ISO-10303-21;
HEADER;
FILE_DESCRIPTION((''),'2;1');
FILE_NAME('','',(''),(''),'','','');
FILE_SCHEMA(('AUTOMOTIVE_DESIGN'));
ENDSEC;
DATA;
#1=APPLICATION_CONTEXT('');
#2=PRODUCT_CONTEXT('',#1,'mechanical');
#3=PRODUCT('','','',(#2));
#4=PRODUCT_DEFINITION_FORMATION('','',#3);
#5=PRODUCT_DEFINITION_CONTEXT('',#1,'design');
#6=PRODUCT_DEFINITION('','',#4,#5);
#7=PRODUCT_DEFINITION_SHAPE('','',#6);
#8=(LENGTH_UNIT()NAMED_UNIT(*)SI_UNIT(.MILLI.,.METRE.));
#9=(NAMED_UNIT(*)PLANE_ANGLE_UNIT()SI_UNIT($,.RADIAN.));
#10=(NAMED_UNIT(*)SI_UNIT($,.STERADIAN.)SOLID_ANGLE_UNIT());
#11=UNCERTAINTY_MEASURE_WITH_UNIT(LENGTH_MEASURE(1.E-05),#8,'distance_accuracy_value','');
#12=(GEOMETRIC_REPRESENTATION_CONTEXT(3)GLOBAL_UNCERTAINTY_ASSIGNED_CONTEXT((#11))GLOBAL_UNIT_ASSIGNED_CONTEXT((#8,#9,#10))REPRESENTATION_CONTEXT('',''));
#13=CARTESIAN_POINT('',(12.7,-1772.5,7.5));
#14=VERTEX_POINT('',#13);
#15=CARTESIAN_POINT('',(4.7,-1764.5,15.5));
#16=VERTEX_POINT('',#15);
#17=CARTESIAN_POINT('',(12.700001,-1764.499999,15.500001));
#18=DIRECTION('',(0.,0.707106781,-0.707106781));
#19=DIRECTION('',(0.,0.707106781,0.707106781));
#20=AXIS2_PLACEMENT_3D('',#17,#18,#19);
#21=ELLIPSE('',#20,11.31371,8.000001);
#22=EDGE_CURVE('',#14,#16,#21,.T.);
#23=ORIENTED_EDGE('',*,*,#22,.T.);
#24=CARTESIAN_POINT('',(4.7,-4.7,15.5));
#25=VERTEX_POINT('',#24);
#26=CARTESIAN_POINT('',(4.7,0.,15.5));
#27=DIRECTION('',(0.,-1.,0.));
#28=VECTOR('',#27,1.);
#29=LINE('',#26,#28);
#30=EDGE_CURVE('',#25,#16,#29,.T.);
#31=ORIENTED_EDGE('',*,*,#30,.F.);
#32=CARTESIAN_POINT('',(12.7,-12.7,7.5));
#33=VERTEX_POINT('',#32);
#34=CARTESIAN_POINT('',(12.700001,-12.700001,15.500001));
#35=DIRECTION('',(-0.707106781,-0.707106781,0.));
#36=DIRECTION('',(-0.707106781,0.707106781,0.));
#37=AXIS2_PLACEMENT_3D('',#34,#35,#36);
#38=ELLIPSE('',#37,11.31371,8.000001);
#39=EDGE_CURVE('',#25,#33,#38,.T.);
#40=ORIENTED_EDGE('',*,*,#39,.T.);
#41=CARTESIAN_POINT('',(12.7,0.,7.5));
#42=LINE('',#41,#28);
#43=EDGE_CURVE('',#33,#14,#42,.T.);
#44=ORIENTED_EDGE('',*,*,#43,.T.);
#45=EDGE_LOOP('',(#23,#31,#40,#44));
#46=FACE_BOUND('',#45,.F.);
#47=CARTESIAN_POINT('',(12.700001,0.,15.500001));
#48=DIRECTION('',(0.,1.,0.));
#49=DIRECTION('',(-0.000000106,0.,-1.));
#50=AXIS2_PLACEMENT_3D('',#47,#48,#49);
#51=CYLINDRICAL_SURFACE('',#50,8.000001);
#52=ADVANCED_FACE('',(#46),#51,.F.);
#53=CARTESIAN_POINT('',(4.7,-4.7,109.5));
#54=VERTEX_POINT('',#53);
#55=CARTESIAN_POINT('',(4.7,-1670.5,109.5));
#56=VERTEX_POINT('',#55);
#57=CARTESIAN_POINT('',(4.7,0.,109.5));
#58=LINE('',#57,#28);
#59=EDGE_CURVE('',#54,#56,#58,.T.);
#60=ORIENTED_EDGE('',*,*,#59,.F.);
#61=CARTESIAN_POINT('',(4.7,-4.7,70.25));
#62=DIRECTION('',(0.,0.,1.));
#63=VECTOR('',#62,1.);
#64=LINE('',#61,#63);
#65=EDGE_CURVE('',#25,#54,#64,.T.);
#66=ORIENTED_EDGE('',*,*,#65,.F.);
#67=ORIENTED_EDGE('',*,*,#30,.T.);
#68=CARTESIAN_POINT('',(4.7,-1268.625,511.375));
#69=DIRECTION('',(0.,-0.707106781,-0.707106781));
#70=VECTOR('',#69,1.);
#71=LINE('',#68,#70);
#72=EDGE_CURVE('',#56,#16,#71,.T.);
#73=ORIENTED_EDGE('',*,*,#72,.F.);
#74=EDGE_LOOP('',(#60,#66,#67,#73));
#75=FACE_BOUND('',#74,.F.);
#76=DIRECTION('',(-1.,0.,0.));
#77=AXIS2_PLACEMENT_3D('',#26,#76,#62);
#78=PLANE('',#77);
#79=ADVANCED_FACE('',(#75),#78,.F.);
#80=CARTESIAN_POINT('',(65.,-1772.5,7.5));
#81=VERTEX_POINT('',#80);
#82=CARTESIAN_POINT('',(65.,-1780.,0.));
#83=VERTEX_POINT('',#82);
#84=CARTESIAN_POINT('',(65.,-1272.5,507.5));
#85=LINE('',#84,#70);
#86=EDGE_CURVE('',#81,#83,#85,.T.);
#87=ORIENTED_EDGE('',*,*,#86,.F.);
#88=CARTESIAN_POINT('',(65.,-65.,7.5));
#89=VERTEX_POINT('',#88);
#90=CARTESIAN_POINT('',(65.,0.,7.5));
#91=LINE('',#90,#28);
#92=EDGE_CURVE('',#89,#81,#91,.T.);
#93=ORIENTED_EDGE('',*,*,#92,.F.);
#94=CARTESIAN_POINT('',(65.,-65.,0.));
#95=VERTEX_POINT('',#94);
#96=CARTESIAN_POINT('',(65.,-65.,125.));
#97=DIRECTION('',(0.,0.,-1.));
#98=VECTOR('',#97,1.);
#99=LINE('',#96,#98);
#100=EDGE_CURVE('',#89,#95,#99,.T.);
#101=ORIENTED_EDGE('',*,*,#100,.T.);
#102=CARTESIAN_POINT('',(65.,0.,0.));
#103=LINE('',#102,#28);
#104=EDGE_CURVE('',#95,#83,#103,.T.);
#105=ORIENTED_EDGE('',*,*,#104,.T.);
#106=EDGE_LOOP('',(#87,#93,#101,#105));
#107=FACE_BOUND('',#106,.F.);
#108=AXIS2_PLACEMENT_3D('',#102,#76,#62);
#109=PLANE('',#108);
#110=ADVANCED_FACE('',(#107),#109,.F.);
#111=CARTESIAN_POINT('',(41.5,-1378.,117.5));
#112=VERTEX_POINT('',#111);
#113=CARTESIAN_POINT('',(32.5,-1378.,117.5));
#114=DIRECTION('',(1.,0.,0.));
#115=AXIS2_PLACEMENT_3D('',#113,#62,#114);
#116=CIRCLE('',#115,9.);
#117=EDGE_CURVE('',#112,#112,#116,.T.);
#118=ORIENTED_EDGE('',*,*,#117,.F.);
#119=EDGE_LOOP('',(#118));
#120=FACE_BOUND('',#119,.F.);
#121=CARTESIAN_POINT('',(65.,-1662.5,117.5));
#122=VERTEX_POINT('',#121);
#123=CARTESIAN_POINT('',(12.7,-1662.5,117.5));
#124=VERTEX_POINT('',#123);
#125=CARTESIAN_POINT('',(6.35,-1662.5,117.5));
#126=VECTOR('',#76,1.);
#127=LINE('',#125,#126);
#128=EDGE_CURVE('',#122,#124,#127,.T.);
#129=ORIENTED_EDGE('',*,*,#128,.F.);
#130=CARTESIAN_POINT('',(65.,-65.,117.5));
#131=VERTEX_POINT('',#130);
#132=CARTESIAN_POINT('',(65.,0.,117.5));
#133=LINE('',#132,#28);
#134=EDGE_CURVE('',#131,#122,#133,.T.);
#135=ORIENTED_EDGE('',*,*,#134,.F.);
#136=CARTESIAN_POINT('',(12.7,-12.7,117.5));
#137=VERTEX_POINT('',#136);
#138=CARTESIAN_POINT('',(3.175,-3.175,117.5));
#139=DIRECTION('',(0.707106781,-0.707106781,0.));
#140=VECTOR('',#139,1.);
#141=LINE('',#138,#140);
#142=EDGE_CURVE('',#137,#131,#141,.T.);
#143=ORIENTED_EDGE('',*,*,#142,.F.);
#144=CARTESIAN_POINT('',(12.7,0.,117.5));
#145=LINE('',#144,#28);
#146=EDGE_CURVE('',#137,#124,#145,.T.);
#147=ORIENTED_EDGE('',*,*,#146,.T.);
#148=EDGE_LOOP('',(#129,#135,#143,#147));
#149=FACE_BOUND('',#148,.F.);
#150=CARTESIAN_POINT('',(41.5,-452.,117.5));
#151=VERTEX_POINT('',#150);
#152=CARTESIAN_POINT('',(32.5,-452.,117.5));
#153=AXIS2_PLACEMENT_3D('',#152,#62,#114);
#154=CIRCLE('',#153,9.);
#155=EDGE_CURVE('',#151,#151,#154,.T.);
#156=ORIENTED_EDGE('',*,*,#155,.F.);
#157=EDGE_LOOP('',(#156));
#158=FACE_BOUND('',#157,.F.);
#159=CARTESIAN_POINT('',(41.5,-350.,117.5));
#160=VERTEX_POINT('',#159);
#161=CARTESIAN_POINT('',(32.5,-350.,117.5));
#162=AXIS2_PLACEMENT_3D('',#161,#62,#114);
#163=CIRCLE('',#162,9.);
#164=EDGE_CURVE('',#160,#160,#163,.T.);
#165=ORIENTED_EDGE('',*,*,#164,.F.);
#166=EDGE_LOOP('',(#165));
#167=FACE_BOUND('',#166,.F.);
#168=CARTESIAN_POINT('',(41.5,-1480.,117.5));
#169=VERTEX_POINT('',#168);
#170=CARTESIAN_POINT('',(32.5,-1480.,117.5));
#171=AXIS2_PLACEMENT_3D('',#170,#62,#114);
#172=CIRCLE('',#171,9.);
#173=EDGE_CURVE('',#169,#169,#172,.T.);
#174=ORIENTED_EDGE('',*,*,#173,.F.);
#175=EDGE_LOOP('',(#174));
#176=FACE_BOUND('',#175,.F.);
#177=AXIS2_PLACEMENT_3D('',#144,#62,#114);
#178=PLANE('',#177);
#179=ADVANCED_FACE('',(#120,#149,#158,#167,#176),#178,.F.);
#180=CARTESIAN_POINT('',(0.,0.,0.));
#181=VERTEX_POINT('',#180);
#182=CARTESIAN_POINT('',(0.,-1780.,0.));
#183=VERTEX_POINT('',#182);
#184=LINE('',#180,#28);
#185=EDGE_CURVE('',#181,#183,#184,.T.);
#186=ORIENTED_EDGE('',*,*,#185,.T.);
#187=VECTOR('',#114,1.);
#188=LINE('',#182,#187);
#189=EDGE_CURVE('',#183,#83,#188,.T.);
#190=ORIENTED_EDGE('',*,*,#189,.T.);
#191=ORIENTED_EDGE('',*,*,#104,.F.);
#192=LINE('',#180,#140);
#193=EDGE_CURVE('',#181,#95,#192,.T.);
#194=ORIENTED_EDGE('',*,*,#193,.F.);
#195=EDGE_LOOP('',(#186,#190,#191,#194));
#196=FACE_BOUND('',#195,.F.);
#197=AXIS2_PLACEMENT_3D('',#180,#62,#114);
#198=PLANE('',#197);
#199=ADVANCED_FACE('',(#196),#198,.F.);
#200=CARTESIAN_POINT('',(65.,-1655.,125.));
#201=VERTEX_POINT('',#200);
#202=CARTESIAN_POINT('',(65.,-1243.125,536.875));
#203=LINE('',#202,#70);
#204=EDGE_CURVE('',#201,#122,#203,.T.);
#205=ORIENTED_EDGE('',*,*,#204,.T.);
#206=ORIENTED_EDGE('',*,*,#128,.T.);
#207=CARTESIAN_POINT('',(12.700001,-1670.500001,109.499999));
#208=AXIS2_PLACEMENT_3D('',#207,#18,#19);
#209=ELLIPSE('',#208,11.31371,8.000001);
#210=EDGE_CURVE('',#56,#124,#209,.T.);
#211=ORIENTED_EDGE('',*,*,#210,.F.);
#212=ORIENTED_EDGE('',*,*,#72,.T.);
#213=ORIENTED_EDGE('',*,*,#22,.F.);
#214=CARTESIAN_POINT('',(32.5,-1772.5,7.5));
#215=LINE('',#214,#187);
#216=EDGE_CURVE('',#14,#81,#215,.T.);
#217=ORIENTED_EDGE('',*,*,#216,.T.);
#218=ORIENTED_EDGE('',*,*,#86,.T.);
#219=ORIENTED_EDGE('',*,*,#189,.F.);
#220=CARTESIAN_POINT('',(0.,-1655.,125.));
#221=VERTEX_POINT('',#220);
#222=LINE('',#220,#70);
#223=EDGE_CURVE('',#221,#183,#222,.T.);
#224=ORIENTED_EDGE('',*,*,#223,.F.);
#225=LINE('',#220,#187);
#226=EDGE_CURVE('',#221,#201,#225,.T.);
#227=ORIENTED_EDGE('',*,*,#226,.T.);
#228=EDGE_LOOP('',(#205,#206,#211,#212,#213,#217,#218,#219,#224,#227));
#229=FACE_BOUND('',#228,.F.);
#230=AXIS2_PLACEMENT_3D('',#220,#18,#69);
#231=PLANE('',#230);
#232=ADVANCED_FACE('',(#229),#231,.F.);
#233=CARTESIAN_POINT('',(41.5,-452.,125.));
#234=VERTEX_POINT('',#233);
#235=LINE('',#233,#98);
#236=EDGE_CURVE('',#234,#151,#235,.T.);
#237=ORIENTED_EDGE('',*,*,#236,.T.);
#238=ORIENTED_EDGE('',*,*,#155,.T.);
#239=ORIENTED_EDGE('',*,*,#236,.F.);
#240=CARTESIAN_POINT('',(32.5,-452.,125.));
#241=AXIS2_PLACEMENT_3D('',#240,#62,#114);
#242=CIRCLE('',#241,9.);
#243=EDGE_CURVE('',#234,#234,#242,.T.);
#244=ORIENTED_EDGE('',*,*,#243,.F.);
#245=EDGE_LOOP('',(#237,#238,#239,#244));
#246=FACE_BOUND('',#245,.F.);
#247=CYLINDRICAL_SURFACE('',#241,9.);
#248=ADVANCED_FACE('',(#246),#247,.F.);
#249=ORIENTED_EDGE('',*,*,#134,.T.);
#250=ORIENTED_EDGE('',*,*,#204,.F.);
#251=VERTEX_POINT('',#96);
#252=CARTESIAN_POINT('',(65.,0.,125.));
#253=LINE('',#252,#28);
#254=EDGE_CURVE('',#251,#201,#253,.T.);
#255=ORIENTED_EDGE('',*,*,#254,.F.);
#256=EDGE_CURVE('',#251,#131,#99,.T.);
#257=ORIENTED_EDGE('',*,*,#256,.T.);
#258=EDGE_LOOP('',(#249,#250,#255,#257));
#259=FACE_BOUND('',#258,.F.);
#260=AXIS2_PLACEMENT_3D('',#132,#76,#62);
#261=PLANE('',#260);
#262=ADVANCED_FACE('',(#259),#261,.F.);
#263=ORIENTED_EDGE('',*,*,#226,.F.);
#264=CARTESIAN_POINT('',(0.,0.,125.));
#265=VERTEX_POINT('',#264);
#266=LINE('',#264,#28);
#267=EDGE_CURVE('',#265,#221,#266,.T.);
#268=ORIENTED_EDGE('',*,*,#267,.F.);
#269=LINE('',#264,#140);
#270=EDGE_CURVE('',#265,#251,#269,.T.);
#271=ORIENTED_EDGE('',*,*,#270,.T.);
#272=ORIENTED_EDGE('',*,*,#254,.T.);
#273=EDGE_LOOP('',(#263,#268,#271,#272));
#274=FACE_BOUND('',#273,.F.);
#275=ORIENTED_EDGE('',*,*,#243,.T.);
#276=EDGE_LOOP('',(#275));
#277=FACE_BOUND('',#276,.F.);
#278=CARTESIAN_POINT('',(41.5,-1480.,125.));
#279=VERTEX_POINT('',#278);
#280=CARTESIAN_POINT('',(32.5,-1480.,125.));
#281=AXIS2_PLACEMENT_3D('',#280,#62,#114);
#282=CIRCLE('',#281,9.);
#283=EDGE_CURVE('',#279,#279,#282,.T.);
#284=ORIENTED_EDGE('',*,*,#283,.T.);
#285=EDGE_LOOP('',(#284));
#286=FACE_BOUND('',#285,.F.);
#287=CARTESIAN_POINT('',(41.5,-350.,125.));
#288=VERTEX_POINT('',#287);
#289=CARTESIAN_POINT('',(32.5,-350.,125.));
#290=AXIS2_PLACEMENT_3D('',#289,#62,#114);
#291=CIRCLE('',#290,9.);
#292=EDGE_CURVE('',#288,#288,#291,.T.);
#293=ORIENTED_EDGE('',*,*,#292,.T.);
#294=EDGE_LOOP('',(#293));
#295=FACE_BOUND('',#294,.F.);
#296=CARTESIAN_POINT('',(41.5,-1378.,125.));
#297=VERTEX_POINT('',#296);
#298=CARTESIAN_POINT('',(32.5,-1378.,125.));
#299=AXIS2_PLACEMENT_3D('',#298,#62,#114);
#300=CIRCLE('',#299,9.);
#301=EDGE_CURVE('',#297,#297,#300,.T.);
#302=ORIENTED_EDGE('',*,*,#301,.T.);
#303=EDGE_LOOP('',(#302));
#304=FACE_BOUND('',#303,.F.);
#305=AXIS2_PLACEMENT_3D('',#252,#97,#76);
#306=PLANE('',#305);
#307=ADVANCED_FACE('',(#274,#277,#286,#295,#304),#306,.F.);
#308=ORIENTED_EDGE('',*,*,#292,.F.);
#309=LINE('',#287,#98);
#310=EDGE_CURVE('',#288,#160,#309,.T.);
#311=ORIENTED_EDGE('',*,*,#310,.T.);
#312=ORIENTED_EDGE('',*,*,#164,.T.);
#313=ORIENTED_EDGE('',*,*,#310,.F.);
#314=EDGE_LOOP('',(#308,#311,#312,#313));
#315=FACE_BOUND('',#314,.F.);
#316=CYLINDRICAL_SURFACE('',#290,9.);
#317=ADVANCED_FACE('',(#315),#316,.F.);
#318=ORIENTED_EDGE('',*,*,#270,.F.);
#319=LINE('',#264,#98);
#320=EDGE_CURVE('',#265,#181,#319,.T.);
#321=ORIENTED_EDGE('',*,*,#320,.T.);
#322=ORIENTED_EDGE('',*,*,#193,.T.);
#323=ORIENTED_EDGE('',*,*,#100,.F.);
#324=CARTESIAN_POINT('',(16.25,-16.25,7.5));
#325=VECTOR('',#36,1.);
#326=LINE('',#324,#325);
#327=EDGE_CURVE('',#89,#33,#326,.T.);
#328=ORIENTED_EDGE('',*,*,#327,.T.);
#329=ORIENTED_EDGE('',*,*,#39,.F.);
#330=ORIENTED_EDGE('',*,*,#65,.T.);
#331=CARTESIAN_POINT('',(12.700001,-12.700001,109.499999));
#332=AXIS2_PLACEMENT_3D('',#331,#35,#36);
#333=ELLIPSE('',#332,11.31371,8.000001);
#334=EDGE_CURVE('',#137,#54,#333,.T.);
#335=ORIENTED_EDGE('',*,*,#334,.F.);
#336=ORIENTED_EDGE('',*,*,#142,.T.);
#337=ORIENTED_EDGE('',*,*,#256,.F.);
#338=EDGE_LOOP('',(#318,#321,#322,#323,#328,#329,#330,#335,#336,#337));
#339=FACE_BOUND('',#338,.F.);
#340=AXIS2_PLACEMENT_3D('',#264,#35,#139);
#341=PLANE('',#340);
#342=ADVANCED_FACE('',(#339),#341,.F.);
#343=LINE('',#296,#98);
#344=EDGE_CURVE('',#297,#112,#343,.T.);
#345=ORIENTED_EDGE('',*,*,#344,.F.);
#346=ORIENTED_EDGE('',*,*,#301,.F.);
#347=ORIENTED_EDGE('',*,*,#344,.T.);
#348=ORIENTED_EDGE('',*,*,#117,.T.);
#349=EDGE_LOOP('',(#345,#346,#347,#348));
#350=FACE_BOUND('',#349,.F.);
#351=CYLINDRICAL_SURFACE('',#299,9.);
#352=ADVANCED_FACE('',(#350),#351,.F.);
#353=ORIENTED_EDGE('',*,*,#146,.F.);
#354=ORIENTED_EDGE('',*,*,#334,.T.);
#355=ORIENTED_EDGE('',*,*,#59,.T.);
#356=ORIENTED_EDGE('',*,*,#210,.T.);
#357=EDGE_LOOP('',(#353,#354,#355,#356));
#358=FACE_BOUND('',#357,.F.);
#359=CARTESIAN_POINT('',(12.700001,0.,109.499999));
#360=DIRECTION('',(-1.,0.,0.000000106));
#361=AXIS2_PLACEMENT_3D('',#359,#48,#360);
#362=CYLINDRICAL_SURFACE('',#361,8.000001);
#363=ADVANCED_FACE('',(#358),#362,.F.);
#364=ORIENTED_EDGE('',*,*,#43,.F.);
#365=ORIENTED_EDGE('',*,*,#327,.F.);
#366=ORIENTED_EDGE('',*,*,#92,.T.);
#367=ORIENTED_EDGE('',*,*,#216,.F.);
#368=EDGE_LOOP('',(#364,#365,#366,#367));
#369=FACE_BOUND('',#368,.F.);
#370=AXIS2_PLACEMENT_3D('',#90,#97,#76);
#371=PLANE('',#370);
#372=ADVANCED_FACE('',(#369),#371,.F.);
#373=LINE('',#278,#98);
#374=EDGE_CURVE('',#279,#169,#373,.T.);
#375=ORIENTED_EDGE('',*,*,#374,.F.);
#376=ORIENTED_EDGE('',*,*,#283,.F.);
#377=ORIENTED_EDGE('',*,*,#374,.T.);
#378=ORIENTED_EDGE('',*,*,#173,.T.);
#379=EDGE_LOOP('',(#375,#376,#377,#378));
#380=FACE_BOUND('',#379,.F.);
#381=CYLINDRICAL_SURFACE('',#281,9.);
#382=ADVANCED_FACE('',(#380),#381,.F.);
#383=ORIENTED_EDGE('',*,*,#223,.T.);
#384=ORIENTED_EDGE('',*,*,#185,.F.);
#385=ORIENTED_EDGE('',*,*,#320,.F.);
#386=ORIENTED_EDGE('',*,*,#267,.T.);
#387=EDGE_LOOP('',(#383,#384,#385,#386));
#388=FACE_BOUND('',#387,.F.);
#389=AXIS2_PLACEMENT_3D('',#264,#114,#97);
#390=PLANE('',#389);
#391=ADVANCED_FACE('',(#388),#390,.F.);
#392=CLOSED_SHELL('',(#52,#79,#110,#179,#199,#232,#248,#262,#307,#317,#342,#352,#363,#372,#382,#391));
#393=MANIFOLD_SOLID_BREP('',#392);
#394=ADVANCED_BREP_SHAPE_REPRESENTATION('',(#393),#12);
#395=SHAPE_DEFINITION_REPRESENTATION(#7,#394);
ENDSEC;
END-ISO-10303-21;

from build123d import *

# Parameters (mm, degrees)
F1_DEPTH = 1780
F3_DEPTH = 125.001
F5_DEPTH = 65.001
F6_R     = 9
F7_DEPTH = 7.5
F8_R     = 9
F9_DEPTH = 7.5


with BuildPart() as f1:
    # F0 (on Front) → F1 (new body)
    with BuildSketch(Plane.XZ):
        with BuildLine():
            Line((0, 125), (0, 0))
            Line((0, 0), (65, 0))
            Line((65, 0), (65, 7.5))
            Line((65, 7.5), (12.7, 7.5))
            ThreePointArc((12.7, 7.5), (7.043146, 9.843146), (4.7, 15.5))
            Line((4.7, 15.5), (4.7, 109.5))
            ThreePointArc((4.7, 109.5), (7.043146, 115.156854), (12.7, 117.5))
            Line((12.7, 117.5), (65, 117.5))
            Line((65, 117.5), (65, 125))
            Line((65, 125), (0, 125))
        make_face()
    extrude(amount=F1_DEPTH)

    # F2 (on face) → F3 (cut, through all)
    with BuildSketch(Plane.XY.offset(125)):
        Polygon((65, -65), (65, 0), (0, 0), align=None)
    extrude(amount=-F3_DEPTH, mode=Mode.SUBTRACT)

    # F4 (on face) → F5 (cut, through all)
    with BuildSketch(Plane(origin=(0, 0, 0), x_dir=(0, -1, 0), z_dir=(-1, 0, 0))):
        Polygon((1780, 0), (1780, 125), (1655, 125), align=None)
    extrude(amount=-F5_DEPTH, mode=Mode.SUBTRACT)

    # F6 (on face) → F7 (cut, through all)
    with BuildSketch(Plane.XY.offset(125)):
        with Locations((32.5, -350)):
            Circle(F6_R)
        with Locations((32.5, -452)):
            Circle(F6_R)
    extrude(amount=-F7_DEPTH, mode=Mode.SUBTRACT)

    # F8 (on face) → F9 (cut, through all)
    with BuildSketch(Plane.XY.offset(125)):
        with Locations((32.5, -1378)):
            Circle(F8_R)
        with Locations((32.5, -1480)):
            Circle(F8_R)
    extrude(amount=-F9_DEPTH, mode=Mode.SUBTRACT)


solid = f1.part
